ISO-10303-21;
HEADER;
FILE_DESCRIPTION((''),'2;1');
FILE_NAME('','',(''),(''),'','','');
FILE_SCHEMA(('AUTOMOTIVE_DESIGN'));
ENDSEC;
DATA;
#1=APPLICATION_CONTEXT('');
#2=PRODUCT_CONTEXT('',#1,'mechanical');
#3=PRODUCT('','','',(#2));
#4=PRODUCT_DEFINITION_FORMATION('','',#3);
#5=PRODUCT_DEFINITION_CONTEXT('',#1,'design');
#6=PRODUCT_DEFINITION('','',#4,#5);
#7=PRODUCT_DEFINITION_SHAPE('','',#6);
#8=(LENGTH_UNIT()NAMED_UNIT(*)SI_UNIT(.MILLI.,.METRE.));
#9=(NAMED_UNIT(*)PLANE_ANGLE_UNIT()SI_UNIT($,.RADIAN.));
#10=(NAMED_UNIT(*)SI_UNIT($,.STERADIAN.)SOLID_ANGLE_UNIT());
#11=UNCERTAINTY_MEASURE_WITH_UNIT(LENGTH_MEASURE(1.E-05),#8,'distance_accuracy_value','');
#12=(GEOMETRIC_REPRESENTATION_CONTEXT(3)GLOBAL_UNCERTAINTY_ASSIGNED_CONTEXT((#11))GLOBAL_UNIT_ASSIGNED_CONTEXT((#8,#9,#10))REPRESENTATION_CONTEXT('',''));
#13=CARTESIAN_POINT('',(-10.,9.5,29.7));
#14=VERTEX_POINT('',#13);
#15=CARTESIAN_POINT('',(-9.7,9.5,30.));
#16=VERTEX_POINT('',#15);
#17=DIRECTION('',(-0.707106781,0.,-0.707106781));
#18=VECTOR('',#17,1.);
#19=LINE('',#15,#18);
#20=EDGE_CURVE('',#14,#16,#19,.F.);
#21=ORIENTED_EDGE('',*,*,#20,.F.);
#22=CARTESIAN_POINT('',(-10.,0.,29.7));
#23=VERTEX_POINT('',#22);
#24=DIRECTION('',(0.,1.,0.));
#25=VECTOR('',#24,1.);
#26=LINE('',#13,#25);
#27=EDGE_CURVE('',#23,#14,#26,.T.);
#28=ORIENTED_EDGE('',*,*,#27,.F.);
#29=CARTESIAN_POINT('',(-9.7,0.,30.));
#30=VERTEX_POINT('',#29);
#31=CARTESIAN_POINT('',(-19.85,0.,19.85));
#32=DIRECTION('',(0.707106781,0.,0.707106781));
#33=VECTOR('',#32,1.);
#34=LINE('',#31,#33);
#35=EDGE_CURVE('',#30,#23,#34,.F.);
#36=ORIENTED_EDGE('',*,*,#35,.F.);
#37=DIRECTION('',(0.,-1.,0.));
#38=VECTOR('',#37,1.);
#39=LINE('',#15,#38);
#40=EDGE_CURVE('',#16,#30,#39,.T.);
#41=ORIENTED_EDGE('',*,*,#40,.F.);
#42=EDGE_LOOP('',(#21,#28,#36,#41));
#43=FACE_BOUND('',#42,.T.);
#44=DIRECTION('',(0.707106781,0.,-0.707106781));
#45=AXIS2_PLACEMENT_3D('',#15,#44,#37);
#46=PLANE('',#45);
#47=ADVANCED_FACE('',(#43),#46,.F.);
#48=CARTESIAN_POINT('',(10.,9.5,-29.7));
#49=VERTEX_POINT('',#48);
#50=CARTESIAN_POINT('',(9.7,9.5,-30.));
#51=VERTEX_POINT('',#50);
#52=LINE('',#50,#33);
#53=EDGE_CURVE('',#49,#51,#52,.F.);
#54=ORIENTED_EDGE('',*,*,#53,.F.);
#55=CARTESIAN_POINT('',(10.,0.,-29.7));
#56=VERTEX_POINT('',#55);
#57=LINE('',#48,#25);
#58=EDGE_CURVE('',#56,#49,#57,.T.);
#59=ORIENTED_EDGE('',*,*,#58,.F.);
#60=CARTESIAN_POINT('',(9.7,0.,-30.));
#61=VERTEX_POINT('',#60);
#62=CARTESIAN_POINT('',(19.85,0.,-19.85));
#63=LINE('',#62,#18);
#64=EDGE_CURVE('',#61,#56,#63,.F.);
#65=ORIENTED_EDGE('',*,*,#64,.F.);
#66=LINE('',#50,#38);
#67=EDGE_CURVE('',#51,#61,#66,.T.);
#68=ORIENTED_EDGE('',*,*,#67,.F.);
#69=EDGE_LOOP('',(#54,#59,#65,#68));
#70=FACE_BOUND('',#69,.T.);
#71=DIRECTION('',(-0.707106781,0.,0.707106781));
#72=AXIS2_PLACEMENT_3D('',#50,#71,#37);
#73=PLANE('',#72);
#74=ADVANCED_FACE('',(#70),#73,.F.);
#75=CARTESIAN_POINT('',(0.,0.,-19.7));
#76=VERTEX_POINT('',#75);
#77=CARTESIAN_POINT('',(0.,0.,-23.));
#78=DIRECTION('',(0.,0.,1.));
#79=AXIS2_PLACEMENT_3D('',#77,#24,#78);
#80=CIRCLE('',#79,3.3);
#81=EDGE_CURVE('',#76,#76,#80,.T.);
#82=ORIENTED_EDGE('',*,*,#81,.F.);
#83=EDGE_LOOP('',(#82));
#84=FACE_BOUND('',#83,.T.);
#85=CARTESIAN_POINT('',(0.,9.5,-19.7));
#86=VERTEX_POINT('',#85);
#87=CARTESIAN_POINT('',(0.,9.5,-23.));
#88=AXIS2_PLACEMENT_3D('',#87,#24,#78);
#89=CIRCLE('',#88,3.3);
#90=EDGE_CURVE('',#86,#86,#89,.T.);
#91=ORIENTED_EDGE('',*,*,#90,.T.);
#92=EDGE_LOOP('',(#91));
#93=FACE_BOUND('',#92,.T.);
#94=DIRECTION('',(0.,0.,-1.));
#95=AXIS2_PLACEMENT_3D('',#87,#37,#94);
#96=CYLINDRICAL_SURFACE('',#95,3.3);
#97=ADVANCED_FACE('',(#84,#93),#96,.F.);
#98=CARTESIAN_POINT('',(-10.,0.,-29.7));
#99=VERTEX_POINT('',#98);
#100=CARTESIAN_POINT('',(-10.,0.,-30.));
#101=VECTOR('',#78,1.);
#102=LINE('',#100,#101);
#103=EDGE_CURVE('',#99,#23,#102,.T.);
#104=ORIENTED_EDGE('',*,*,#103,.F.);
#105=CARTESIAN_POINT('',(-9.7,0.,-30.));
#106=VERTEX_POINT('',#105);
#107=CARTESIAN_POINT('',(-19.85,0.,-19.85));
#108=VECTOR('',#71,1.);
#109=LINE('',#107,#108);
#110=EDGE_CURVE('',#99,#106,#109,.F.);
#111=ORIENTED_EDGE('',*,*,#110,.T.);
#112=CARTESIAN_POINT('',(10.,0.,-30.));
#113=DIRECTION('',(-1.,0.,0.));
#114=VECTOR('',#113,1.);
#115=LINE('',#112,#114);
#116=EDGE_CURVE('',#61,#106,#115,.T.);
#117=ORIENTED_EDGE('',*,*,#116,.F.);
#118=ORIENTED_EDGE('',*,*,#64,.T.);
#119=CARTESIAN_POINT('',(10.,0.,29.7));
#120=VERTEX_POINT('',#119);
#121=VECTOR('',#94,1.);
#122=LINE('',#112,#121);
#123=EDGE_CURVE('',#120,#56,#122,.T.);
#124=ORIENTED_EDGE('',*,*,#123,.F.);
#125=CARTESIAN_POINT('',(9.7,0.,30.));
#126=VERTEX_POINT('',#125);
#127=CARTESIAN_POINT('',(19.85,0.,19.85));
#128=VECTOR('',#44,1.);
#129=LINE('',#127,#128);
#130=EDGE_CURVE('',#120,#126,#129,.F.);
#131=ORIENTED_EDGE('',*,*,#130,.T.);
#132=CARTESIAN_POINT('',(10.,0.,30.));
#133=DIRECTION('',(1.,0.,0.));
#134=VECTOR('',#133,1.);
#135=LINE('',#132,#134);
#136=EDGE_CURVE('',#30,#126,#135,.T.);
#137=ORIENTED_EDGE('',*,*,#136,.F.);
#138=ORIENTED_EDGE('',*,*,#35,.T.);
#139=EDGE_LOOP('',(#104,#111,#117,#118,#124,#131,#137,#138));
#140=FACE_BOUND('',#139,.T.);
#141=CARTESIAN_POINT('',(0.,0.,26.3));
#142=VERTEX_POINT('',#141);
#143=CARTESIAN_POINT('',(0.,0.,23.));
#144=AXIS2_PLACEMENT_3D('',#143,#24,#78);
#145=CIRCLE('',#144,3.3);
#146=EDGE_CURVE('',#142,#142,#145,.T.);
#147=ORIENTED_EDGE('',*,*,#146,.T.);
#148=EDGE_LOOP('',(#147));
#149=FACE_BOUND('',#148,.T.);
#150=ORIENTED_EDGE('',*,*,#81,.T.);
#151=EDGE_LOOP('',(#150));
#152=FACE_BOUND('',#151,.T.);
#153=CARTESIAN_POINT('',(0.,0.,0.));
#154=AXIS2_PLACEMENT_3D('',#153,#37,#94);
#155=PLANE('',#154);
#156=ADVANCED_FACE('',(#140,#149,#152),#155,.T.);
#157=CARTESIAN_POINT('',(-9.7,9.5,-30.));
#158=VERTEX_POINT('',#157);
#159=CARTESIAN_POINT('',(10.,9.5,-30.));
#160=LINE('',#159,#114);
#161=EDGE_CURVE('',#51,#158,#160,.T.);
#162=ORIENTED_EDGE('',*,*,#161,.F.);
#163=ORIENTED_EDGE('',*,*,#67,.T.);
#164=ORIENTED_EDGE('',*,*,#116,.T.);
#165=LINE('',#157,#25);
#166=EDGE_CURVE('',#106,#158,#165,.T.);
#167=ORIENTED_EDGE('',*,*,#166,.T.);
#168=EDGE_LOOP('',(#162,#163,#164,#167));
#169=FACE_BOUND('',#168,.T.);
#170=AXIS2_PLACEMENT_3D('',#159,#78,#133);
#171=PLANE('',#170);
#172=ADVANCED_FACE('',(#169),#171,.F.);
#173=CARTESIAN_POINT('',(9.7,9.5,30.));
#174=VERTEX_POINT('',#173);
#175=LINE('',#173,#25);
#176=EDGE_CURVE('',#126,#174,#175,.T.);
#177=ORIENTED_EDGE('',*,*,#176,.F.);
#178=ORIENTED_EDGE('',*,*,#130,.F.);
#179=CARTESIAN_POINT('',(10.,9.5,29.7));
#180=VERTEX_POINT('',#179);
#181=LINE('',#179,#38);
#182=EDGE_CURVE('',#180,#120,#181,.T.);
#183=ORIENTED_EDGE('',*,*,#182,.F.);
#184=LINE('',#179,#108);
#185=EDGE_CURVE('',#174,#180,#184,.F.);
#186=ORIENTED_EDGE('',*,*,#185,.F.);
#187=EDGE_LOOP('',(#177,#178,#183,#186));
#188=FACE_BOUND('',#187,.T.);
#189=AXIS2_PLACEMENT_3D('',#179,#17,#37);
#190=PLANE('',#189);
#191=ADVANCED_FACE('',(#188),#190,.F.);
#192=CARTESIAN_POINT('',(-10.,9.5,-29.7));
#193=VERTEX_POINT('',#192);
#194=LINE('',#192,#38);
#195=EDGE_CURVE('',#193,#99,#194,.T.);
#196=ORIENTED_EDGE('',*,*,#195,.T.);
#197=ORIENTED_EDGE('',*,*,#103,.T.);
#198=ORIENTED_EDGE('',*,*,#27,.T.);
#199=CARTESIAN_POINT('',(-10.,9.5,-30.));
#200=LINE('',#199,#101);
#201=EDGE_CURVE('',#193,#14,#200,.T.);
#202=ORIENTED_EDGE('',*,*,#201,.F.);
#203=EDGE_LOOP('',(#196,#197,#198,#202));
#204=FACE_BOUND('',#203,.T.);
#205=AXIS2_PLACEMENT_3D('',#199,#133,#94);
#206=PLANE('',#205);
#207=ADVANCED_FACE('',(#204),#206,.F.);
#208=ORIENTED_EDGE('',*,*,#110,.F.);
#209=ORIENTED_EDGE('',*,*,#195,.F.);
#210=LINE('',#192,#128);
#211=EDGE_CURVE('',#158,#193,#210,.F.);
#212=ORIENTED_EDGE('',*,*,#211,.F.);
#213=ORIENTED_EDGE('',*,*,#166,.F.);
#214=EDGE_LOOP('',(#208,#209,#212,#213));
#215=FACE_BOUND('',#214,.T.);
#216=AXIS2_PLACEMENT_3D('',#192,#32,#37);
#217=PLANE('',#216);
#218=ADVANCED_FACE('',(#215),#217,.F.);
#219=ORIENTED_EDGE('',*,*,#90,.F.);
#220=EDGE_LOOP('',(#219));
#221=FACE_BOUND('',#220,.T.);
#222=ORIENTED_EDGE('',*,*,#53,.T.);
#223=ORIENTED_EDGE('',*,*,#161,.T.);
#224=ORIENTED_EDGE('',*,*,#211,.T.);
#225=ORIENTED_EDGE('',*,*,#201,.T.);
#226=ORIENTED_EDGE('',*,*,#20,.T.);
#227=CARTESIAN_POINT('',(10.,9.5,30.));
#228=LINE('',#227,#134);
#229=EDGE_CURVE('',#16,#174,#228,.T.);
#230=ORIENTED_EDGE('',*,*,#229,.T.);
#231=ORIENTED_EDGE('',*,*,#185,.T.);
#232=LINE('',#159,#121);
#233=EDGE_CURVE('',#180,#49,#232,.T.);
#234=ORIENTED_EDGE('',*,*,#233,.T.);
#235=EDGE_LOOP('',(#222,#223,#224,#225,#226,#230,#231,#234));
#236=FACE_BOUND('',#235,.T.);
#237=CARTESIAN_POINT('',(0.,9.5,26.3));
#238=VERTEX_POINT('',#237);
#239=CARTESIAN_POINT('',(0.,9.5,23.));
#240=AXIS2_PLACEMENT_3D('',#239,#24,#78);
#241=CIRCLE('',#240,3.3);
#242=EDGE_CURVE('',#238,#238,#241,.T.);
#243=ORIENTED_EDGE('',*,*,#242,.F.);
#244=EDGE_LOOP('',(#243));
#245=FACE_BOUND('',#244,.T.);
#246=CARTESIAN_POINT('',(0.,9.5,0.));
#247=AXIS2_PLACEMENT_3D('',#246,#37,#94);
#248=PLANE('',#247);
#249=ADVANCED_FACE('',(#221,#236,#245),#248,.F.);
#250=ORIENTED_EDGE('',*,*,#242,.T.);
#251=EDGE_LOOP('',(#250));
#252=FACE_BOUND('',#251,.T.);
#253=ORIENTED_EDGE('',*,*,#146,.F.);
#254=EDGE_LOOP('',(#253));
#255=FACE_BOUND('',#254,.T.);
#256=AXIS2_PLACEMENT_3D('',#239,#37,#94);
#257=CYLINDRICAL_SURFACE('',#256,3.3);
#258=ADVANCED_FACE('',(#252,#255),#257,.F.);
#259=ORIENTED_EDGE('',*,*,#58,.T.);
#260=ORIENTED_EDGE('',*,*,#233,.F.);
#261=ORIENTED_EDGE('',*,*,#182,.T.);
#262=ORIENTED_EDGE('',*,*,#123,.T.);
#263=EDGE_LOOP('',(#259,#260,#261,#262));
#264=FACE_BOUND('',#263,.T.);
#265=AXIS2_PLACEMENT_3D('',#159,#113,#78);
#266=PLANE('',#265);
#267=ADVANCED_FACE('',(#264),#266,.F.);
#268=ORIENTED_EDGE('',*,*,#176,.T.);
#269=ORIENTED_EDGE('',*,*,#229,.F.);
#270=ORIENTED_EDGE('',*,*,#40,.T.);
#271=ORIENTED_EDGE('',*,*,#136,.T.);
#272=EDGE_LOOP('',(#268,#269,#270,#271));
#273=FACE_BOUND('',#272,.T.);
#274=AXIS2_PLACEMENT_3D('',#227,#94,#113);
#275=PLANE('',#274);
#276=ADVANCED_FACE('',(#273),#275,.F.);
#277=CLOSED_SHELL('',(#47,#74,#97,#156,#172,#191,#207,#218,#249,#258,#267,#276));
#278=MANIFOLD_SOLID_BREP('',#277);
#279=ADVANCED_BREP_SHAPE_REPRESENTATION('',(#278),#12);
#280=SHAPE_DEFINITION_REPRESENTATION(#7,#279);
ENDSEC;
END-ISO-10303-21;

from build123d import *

# Parameters (mm, degrees)
SKETCH1_W           = 20
SKETCH1_H           = 60
SKETCH1_R           = 3.3
BOSS_EXTRUDE1_DEPTH = 9.5
CHAMFER1_SIZE       = 0.3


with BuildPart() as part:
    # Sketch1 → Boss-Extrude1 (new body)
    with BuildSketch(Plane(origin=(0, 0, 0), x_dir=(1, 0, 0), z_dir=(0, 1, 0))):
        Rectangle(SKETCH1_W, SKETCH1_H)
        with Locations((0, 23)):
            Circle(SKETCH1_R, mode=Mode.SUBTRACT)
        with Locations((0, -23)):
            Circle(SKETCH1_R, mode=Mode.SUBTRACT)
    extrude(amount=BOSS_EXTRUDE1_DEPTH)

    # Chamfer1
    chamfer1_edges = [part.edges().sort_by_distance(p)[0] for p in [
        (-10, 4.75, -30),
        (10, 4.75, -30),
        (10, 4.75, 30),
        (-10, 4.75, 30),
    ]]
    chamfer(chamfer1_edges, length=CHAMFER1_SIZE)


solid = part.part
